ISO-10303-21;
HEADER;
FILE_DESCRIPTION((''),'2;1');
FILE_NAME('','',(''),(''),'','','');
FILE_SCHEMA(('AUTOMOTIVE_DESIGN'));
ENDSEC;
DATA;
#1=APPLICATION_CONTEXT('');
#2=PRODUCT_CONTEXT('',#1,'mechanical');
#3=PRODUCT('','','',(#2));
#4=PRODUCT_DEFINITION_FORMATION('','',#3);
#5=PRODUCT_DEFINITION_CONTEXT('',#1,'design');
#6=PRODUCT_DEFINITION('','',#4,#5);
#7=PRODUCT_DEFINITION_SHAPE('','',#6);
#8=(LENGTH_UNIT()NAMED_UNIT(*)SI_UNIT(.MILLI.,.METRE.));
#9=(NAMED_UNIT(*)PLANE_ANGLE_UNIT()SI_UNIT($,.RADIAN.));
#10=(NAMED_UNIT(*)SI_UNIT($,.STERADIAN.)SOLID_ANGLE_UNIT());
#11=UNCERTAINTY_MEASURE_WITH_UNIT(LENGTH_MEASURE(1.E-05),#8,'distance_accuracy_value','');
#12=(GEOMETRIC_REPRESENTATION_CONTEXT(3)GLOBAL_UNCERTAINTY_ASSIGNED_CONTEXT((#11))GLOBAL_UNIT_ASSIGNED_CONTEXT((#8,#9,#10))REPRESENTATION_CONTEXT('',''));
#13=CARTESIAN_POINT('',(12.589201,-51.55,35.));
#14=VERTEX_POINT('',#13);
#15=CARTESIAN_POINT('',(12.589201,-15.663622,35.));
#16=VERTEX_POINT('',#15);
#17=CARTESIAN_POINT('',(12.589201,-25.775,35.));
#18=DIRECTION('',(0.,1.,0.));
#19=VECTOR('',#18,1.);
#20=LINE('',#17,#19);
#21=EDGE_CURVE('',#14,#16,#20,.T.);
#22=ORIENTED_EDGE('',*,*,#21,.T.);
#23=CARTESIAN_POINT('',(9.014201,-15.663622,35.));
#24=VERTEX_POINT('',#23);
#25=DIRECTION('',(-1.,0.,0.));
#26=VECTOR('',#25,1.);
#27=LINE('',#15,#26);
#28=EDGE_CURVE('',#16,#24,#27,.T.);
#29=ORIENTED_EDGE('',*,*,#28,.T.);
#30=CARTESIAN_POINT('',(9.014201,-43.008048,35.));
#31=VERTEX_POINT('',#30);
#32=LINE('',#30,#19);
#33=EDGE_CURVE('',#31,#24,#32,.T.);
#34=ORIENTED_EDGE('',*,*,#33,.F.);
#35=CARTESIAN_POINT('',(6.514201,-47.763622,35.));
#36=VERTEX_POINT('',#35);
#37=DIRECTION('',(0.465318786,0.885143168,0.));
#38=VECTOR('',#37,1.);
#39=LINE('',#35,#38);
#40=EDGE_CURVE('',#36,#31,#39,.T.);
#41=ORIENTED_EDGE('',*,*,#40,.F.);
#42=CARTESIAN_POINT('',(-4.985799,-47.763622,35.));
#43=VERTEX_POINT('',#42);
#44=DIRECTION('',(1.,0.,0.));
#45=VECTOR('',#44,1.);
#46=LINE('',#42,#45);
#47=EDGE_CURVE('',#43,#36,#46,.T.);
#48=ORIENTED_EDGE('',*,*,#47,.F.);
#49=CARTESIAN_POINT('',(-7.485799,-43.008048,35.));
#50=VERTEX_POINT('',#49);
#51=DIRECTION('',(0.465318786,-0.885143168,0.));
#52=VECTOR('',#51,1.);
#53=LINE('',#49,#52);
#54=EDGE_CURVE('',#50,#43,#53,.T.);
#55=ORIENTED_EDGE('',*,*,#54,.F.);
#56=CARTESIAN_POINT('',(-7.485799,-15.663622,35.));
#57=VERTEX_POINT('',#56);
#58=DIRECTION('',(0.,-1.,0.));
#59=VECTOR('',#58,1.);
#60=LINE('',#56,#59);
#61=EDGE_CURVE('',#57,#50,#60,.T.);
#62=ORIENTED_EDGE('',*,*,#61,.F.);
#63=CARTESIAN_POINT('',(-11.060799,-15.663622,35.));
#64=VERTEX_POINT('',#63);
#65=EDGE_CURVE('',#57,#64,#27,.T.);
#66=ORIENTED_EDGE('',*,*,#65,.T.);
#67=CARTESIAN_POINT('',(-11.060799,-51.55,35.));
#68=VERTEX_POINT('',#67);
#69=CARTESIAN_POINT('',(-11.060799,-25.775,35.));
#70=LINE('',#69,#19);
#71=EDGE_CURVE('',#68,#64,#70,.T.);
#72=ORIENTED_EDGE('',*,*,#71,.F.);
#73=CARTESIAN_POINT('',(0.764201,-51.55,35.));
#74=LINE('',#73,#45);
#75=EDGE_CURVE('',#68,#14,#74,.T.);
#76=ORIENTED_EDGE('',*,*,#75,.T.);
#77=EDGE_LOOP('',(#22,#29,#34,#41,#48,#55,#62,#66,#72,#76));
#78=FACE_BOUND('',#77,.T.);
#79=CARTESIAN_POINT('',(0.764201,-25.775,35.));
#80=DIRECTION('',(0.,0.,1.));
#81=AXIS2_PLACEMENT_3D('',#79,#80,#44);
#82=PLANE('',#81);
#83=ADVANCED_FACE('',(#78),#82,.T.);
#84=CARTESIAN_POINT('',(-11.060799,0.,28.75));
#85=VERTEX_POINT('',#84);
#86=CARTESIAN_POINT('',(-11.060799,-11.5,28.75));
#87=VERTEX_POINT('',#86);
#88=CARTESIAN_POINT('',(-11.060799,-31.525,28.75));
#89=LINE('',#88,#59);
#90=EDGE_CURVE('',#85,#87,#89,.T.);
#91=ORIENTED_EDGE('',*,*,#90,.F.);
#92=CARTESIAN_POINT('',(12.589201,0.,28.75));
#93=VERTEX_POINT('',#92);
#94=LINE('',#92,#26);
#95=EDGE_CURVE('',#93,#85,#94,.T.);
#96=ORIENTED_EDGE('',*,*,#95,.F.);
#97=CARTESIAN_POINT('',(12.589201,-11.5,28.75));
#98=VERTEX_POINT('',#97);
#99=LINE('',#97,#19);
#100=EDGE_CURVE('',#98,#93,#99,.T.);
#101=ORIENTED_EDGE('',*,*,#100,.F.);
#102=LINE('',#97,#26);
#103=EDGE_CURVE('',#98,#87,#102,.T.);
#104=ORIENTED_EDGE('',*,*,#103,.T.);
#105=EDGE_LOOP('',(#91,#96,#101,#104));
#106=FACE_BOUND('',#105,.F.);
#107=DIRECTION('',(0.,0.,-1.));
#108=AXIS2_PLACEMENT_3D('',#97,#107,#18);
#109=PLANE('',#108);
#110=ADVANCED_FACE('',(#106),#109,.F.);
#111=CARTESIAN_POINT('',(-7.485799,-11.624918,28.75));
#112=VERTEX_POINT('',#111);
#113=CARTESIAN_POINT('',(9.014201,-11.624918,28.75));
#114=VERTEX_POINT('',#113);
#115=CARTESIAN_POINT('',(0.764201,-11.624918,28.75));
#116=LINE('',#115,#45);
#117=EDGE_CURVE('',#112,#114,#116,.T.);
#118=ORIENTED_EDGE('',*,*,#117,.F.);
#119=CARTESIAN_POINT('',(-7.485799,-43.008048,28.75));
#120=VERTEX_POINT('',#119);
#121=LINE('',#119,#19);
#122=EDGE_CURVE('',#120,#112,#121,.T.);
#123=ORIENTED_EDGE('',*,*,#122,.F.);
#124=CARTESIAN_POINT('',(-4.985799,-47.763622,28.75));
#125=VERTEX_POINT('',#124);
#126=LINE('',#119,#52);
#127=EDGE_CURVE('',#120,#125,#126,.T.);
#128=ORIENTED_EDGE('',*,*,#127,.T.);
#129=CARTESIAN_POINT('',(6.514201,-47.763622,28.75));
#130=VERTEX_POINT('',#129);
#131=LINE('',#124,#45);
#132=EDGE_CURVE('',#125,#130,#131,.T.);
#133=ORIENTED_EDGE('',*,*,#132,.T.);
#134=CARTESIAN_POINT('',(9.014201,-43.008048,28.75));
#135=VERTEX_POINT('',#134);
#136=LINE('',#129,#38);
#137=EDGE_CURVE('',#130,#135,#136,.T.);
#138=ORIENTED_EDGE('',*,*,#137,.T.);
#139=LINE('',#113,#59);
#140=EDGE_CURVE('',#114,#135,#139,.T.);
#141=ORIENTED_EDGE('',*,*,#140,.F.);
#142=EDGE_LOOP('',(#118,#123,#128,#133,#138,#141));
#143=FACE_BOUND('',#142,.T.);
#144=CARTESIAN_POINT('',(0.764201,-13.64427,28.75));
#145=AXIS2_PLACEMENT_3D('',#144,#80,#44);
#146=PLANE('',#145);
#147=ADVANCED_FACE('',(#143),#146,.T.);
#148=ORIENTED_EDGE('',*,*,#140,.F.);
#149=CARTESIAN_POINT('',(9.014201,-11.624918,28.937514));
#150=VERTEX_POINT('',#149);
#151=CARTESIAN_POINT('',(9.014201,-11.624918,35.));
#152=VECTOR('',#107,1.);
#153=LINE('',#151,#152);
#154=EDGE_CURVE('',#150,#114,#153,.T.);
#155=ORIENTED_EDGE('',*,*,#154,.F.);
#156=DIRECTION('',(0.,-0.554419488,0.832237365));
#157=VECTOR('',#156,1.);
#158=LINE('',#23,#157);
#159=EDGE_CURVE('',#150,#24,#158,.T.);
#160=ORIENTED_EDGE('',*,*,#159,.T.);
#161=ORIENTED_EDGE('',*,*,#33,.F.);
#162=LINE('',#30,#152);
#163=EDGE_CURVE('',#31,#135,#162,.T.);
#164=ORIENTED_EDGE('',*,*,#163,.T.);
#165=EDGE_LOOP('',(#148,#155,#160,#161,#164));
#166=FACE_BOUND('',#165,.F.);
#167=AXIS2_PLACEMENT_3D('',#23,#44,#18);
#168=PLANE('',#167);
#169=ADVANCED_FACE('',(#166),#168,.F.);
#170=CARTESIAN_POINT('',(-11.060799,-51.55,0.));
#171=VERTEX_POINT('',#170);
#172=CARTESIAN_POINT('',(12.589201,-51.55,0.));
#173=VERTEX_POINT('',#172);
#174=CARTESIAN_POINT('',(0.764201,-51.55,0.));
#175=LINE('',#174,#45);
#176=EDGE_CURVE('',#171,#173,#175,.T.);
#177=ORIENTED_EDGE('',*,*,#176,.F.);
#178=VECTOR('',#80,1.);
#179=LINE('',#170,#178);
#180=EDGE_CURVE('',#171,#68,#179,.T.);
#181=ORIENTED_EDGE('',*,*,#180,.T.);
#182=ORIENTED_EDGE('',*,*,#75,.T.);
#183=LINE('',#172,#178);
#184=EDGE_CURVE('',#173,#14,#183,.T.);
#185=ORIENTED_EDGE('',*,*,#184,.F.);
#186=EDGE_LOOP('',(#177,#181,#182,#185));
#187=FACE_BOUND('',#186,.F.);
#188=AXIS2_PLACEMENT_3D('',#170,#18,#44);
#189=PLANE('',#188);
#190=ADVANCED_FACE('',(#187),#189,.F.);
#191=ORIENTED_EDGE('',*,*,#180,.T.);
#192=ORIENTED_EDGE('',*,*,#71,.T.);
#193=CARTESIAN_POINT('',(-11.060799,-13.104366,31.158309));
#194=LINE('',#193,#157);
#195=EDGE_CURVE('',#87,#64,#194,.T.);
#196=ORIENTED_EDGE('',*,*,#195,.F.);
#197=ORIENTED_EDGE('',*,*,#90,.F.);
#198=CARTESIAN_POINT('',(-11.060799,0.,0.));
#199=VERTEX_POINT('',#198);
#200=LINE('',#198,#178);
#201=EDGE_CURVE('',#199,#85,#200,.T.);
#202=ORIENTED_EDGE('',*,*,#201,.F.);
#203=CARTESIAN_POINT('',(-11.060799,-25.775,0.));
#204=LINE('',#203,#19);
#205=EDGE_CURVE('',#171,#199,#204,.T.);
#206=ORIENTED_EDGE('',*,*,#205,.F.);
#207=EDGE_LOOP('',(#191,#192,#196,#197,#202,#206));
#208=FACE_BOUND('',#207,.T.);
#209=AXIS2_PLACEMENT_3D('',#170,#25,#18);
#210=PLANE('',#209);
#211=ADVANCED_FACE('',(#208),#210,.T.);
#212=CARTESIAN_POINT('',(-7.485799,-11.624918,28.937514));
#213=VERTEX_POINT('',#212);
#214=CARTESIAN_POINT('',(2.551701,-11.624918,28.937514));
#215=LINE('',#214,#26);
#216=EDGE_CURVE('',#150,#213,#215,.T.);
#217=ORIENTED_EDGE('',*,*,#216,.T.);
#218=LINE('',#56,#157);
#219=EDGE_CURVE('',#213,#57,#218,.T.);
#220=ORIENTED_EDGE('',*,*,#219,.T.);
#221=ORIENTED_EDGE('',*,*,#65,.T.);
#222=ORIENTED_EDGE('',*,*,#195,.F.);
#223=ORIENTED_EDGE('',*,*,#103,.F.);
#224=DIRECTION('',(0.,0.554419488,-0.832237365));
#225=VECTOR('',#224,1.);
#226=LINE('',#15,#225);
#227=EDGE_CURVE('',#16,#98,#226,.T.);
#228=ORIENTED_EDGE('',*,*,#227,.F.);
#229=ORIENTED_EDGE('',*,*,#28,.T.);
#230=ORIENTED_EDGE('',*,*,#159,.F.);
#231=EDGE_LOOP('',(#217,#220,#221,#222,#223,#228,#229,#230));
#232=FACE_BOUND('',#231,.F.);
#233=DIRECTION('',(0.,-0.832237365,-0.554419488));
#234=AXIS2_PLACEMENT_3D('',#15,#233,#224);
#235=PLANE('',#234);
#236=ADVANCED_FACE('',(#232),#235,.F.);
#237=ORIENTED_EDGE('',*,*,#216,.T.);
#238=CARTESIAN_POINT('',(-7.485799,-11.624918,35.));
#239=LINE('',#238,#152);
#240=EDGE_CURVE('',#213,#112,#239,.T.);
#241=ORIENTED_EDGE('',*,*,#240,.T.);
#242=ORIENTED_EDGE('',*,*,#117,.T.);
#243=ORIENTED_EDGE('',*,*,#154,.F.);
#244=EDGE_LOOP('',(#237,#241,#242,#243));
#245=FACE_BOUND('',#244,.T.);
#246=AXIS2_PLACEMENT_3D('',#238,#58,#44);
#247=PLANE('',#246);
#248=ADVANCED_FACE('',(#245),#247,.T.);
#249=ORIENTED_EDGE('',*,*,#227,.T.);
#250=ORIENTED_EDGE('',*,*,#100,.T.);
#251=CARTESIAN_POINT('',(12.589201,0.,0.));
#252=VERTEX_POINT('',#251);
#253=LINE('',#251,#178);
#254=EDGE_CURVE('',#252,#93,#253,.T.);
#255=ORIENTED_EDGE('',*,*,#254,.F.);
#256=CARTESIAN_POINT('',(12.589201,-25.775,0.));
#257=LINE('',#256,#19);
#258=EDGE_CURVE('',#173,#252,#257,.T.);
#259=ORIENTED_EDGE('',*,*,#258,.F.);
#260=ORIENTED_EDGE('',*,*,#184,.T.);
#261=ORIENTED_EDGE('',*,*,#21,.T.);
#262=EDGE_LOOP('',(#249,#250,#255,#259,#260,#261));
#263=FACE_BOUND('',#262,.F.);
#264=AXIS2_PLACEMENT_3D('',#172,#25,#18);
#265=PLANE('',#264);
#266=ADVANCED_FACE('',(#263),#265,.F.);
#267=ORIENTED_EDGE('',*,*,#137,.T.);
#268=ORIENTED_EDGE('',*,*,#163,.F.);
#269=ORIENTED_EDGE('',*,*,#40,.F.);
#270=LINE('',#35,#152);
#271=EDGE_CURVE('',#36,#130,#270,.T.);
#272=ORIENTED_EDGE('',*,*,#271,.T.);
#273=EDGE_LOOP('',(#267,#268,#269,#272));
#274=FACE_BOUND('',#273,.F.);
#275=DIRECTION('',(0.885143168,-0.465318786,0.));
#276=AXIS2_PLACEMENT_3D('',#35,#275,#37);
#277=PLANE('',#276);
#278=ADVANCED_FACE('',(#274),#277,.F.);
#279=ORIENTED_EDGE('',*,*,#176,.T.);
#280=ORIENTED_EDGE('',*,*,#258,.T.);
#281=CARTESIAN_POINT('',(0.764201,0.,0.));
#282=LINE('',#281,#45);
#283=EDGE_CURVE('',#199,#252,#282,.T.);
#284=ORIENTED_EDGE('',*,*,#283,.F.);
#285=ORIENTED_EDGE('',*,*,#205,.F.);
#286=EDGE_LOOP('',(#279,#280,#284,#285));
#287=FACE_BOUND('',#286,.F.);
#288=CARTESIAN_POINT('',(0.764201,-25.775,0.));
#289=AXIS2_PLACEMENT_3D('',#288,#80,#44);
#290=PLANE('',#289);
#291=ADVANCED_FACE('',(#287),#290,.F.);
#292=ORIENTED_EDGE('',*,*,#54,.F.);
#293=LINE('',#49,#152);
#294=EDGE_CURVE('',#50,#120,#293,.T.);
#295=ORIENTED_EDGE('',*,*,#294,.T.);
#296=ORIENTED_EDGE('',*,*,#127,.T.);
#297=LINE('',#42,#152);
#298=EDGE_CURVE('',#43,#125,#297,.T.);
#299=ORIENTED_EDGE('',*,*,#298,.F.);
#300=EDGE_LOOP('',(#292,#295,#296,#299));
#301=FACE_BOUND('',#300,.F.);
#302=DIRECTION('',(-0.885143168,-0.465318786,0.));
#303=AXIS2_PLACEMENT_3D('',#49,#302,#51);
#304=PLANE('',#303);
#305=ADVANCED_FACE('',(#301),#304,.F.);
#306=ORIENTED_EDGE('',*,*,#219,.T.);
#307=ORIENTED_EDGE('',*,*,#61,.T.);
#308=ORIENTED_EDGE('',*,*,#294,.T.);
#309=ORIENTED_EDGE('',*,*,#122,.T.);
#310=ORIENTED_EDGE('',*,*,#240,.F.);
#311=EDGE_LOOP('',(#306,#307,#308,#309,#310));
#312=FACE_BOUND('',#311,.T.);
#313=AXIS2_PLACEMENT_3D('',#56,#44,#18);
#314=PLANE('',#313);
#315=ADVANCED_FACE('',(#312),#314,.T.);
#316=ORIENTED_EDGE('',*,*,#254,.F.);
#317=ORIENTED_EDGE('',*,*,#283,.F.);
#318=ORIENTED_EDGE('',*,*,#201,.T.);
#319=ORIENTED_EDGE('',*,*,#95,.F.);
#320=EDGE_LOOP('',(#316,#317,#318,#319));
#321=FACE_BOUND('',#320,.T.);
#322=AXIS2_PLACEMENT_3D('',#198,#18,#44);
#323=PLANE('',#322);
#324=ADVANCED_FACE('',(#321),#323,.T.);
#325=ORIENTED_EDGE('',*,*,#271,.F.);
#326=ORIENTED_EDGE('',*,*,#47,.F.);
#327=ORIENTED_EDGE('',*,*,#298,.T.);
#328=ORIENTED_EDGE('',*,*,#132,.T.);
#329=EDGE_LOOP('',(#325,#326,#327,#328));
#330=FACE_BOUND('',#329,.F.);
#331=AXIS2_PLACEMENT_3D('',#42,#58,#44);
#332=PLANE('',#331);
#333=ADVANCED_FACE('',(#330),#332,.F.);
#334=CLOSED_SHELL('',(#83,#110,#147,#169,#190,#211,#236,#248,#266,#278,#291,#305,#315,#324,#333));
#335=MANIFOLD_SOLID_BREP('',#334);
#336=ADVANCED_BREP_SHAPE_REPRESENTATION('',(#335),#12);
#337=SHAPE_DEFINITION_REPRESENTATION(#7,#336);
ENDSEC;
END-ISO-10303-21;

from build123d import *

# Parameters (mm, degrees)
F0_W     = 23.65
F0_H     = 51.55
F1_DEPTH = 35
F3_DEPTH = 23.651
F5_DEPTH = 6.25
F6_W     = 16.5
F6_H     = 4.038704
F7_DEPTH = 6.25


with BuildPart() as f1:
    # F0 (on Top) → F1 (new body)
    with BuildSketch(Plane.XY):
        with Locations((0.764201, -25.775)):
            Rectangle(F0_W, F0_H)
    extrude(amount=F1_DEPTH)

    # F2 (on face) → F3 (cut, through all)
    with BuildSketch(Plane.YZ.offset(12.589201)):
        Polygon((0, 28.75), (0, 35), (-15.663622, 35), (-11.5, 28.75), align=None)
    extrude(amount=-F3_DEPTH, mode=Mode.SUBTRACT)

    # F4 (on face) → F5 (cut)
    with BuildSketch(Plane.XY.offset(35)):
        Polygon((-4.985799, -47.763622), (0.764201, -47.763622), (6.514201, -47.763622), (9.014201, -43.008048), (9.014201, -15.663622), (0.764201, -15.663622), (-7.485799, -15.663622), (-7.485799, -43.008048), align=None)
    extrude(amount=-F5_DEPTH, mode=Mode.SUBTRACT)

    # F6 (on face) → F7 (cut)
    with BuildSketch(Plane.XY.offset(35)):
        with Locations((0.764201, -13.64427)):
            Rectangle(F6_W, F6_H)
    extrude(amount=-F7_DEPTH, mode=Mode.SUBTRACT)


solid = f1.part
